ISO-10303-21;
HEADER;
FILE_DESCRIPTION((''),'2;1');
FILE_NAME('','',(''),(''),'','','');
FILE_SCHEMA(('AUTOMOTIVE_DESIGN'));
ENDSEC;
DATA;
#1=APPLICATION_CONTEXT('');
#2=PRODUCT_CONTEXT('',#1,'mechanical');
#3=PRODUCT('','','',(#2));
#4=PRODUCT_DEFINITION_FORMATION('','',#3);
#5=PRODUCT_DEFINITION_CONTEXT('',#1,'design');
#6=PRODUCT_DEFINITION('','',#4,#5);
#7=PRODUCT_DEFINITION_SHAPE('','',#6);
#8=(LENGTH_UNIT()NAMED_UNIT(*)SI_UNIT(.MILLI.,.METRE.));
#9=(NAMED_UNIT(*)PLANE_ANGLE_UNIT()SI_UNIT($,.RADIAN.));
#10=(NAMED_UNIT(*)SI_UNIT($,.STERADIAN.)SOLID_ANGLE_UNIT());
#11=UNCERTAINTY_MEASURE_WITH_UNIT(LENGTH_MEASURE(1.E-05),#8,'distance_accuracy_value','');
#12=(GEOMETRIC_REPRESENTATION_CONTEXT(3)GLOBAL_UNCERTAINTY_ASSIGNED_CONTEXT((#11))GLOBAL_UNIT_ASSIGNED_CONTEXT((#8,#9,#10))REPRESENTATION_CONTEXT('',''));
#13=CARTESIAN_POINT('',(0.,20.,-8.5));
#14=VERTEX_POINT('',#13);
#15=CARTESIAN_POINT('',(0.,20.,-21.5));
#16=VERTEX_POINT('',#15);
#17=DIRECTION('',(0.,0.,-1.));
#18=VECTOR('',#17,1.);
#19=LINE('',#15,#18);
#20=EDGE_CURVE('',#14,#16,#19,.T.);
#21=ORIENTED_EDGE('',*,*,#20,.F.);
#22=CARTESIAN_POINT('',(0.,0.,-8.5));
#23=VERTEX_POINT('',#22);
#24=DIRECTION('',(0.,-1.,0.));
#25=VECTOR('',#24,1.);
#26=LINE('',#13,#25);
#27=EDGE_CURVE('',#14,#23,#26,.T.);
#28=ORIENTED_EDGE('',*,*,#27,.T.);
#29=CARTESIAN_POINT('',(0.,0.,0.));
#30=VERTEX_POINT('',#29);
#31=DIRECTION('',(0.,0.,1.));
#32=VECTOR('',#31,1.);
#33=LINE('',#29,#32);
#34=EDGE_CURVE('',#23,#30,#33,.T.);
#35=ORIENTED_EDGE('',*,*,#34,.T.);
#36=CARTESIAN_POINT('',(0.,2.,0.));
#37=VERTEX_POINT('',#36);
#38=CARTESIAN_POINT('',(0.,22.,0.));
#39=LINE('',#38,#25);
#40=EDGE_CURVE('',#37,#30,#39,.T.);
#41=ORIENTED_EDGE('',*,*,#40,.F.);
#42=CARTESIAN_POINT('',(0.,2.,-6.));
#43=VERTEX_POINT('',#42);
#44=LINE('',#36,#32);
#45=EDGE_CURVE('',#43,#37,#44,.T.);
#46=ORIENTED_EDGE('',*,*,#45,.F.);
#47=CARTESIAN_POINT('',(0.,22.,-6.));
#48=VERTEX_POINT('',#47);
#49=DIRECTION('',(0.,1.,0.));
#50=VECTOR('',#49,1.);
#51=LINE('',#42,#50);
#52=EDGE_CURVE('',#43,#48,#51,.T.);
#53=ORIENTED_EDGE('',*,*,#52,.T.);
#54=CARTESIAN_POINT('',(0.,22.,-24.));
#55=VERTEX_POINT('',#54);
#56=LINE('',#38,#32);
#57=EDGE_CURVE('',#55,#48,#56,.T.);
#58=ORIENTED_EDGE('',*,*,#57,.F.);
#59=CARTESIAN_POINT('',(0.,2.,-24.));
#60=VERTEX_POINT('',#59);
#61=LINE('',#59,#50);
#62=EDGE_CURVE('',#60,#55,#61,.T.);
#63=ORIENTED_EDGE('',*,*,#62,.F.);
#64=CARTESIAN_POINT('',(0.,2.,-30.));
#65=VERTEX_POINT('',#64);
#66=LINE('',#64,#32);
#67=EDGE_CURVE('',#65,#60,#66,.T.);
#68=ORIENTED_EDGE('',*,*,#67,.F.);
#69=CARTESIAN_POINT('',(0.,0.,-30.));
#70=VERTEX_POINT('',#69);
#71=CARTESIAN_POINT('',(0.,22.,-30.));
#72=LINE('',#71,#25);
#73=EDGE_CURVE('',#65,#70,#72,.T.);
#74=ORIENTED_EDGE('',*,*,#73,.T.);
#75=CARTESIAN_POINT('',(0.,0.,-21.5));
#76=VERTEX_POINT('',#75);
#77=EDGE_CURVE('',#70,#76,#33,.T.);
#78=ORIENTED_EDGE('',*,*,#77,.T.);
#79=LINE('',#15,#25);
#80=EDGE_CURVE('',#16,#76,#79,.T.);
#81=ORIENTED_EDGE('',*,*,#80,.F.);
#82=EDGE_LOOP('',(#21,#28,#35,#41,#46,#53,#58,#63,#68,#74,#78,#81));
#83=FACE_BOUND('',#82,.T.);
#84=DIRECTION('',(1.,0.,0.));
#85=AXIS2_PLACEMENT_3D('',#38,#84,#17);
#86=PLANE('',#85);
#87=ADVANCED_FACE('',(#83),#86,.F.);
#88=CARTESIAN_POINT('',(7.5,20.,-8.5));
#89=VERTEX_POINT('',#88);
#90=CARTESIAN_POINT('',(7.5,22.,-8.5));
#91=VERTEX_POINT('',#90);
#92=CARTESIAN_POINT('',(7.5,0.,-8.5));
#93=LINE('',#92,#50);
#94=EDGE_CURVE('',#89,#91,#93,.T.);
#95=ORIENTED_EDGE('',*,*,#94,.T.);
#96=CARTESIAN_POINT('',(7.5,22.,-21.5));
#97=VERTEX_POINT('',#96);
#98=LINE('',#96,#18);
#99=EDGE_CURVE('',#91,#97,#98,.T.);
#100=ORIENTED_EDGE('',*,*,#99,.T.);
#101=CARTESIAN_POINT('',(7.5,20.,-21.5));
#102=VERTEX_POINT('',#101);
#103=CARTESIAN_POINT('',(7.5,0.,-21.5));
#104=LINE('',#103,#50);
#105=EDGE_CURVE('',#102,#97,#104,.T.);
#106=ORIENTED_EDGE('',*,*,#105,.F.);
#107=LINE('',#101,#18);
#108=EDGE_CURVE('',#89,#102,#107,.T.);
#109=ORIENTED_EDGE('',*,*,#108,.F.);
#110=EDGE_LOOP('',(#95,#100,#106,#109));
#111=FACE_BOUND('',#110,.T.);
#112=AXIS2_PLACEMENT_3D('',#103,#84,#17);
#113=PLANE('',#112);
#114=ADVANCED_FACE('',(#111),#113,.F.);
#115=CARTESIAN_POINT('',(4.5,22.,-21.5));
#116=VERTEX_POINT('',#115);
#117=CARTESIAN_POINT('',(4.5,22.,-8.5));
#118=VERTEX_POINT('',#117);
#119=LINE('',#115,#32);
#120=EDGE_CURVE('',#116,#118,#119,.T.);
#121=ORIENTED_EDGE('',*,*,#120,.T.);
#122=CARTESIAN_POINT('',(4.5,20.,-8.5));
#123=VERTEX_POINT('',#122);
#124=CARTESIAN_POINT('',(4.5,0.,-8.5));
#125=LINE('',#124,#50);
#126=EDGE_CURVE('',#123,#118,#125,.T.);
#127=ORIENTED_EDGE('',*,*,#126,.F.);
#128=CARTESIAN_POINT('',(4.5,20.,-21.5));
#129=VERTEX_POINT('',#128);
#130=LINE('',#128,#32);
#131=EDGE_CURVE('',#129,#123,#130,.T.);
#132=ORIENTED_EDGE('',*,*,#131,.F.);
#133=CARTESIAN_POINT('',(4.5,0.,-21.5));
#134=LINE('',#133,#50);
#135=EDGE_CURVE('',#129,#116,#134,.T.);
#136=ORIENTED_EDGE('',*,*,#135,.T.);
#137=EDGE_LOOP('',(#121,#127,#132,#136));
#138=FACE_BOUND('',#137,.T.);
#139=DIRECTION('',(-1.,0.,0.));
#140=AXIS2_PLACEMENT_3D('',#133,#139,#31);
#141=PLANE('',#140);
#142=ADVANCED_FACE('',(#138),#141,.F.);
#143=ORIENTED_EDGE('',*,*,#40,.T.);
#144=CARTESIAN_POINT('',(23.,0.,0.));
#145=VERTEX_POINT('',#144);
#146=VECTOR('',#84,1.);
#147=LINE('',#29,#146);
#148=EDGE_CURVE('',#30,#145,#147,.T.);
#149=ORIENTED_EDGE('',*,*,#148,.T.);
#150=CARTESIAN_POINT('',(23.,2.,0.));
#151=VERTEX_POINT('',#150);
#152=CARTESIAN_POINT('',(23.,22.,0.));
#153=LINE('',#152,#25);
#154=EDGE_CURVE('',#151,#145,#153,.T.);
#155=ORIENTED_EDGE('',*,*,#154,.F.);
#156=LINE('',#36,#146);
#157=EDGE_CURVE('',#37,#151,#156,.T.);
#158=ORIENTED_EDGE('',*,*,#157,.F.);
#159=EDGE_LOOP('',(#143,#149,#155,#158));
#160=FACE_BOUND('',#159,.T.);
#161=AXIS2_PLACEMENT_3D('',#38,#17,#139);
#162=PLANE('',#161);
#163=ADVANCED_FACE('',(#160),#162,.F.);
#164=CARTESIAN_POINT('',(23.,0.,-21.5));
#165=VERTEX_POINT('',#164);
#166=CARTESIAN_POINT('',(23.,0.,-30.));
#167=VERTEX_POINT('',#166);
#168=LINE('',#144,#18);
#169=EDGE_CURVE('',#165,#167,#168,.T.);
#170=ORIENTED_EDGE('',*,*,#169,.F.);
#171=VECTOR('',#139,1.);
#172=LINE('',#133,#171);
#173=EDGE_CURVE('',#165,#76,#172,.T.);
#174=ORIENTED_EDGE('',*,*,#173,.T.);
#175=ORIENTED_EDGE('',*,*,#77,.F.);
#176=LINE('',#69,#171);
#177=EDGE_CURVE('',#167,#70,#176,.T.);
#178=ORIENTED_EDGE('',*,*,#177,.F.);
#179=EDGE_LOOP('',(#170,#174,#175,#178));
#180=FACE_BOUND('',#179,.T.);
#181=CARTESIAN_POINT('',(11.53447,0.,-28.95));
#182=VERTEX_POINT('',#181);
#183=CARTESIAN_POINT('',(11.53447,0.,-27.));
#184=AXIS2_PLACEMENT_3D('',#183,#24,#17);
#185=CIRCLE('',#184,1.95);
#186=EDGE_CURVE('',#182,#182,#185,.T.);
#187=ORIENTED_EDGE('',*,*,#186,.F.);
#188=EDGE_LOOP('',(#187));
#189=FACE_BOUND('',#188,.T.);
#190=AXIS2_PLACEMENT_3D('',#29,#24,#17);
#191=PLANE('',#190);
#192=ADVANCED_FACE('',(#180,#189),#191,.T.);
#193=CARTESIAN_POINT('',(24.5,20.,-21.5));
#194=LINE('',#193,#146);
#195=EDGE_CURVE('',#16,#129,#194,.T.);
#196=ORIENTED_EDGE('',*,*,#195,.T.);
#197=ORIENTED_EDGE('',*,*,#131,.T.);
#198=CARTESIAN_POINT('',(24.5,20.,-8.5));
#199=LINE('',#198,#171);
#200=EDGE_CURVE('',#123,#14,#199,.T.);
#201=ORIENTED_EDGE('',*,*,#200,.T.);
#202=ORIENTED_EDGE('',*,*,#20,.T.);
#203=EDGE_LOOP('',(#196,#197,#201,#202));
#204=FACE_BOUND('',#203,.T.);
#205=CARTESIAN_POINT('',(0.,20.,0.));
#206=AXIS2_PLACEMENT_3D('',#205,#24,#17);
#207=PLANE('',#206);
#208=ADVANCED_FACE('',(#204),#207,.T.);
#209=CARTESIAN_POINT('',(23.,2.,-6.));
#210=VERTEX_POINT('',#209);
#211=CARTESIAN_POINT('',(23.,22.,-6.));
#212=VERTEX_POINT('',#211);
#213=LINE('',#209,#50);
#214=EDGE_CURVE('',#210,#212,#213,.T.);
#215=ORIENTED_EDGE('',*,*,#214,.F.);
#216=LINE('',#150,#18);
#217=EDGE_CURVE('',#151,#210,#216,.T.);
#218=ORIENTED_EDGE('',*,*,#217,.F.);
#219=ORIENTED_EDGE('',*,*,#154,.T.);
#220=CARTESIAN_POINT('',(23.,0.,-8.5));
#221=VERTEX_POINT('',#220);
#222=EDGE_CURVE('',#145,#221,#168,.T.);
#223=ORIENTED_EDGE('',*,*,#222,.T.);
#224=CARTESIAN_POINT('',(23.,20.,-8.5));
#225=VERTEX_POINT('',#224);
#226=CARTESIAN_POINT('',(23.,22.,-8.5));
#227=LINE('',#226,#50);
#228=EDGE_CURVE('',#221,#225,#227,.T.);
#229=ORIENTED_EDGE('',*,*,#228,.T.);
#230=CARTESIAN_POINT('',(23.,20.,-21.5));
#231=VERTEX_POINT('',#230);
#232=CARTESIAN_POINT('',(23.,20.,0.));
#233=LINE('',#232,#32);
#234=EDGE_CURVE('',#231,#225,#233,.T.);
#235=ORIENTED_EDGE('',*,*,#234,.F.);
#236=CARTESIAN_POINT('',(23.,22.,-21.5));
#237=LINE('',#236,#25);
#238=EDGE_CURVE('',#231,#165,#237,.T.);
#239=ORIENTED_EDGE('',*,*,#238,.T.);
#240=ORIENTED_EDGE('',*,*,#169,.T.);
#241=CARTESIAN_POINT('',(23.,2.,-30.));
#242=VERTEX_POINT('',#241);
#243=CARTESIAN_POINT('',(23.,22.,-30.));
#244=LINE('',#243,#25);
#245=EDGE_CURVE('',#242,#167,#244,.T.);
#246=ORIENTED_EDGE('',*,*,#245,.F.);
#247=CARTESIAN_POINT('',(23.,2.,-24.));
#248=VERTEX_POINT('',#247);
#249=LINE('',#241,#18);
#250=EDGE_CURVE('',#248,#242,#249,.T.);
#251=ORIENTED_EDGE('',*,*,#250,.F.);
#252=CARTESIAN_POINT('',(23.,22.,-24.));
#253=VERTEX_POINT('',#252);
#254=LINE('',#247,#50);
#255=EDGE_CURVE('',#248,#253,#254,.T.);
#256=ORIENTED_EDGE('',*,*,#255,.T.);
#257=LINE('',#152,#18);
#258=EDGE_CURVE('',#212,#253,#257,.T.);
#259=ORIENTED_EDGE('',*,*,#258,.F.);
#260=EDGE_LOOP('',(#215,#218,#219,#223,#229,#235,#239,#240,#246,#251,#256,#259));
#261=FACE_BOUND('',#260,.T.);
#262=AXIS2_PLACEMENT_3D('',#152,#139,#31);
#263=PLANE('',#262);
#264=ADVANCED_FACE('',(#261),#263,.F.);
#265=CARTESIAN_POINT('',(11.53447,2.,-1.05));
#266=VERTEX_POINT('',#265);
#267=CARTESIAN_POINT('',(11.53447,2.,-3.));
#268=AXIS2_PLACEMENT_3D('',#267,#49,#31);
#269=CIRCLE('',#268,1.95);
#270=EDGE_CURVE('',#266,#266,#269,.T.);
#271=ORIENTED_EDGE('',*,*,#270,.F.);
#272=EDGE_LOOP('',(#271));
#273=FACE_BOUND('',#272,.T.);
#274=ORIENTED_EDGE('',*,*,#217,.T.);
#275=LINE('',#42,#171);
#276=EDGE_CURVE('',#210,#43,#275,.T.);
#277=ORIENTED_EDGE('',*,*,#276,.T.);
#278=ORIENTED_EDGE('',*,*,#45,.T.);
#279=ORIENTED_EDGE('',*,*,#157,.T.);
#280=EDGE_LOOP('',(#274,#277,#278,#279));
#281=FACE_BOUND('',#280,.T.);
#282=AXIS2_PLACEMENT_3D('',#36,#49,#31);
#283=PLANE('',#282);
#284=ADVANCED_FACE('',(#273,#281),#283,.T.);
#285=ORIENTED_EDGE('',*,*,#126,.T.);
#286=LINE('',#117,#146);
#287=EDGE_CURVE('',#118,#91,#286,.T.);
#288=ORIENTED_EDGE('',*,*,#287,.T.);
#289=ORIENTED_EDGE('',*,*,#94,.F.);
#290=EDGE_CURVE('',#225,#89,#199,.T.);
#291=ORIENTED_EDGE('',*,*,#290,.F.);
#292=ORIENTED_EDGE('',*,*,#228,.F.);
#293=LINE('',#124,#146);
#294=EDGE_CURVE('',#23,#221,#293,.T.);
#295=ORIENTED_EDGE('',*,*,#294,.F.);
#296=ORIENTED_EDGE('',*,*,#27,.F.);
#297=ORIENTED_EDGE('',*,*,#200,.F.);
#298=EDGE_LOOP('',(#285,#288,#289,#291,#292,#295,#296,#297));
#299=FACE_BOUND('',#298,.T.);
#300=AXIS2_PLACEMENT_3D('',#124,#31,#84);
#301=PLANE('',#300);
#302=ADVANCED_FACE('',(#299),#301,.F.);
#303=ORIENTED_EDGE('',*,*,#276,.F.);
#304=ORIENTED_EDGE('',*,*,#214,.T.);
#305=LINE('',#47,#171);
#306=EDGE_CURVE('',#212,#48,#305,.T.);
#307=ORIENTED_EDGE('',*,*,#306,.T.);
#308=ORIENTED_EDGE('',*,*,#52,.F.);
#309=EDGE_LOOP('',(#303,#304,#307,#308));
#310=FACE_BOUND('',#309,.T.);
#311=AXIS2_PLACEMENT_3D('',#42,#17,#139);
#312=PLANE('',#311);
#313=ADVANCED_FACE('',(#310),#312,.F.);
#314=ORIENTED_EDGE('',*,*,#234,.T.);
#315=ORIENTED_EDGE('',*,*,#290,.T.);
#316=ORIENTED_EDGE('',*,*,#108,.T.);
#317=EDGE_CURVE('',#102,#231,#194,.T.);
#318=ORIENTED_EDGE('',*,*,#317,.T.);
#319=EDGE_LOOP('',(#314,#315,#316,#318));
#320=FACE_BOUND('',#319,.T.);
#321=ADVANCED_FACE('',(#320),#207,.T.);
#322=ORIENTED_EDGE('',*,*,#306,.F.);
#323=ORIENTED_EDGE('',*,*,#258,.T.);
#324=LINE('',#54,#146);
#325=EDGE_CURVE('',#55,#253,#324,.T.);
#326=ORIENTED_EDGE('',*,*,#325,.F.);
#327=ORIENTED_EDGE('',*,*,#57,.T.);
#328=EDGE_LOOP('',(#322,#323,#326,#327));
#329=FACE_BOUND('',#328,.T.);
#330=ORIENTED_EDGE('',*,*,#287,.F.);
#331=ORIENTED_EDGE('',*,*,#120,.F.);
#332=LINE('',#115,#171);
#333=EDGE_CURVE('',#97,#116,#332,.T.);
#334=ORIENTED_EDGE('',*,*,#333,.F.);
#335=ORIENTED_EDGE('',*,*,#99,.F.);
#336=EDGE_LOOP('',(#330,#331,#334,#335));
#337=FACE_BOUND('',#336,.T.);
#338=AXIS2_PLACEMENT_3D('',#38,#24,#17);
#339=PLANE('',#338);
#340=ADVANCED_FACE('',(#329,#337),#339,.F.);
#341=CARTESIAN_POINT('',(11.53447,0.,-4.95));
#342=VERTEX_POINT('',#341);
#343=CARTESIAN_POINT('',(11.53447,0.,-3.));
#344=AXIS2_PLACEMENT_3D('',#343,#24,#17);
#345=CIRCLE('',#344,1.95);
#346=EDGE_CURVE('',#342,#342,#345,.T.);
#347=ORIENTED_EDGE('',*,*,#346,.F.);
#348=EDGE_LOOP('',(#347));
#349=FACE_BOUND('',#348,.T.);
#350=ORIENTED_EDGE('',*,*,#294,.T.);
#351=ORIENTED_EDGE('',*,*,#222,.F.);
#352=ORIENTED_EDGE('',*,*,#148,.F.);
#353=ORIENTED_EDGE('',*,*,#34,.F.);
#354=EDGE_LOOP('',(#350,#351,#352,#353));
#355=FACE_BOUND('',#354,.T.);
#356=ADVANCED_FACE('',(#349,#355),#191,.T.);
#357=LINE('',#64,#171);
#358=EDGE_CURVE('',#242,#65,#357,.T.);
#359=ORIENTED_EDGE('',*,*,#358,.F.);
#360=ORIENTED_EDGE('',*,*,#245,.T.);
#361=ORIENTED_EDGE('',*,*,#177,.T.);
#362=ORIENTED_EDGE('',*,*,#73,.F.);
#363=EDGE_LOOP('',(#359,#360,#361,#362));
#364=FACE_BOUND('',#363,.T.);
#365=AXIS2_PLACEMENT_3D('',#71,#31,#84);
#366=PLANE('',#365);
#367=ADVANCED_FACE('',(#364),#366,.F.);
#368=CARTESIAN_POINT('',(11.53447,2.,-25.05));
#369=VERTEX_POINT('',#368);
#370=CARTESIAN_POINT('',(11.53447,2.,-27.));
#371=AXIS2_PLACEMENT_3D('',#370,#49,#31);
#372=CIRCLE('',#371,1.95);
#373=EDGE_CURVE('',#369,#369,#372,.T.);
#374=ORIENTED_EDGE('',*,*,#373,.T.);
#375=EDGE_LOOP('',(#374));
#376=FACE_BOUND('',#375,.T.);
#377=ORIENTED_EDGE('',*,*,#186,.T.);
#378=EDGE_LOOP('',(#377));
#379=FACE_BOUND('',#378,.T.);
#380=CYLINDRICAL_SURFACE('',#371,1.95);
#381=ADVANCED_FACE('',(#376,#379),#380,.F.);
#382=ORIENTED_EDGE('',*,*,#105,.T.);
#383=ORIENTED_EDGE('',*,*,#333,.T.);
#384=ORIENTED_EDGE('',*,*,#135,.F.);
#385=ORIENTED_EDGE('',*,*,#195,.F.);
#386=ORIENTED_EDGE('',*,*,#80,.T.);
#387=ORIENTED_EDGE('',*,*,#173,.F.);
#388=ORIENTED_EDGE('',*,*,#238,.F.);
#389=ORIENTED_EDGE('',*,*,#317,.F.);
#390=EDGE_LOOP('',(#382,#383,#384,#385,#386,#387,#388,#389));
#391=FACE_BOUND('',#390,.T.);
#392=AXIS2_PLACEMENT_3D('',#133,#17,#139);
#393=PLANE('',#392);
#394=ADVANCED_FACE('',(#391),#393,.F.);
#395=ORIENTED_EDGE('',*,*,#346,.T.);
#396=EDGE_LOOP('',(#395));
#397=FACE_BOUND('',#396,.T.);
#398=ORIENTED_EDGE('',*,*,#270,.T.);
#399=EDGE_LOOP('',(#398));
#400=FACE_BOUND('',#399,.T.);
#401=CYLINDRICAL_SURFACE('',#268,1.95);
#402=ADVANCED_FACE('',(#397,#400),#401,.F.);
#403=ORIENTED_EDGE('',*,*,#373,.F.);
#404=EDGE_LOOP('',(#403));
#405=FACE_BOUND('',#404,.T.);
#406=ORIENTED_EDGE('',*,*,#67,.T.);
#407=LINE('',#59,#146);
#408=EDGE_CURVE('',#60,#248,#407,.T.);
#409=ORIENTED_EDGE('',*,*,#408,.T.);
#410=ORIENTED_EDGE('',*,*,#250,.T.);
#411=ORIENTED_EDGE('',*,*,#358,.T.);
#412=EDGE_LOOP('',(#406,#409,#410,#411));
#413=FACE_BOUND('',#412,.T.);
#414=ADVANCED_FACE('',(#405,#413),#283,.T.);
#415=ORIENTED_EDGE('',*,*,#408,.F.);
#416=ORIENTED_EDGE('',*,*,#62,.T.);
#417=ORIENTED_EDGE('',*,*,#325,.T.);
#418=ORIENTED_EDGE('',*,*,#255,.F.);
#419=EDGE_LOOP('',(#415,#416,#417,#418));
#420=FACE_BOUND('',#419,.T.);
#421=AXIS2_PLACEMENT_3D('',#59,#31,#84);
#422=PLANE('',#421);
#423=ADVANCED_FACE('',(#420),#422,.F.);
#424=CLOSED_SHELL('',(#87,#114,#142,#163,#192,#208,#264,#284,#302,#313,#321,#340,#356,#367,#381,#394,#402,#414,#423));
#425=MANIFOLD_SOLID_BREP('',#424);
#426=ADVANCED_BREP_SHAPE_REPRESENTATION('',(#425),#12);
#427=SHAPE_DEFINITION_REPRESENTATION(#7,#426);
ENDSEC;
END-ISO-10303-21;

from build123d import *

# Parameters (mm, degrees)
ESQUISSE1_W             = 23
ESQUISSE1_H             = 30
BOSS_EXTRU_1_DEPTH      = 22
ESQUISSE2_W             = 23
ESQUISSE2_H             = 6
ENL_V_MAT_EXTRU_1_DEPTH = 20
D_GAGEMENT_M3_51_D      = 3.9
D_GAGEMENT_M3_51_DEPTH  = 5
D_GAGEMENT_M3_51_TIP    = 1.171678207
ESQUISSE5_W             = 3
ESQUISSE5_H             = 13
ENL_V_MAT_EXTRU_2_DEPTH = 23
ESQUISSE6_W             = 24.5
ESQUISSE6_H             = 13
ENL_V_MAT_EXTRU_3_DEPTH = 20


with BuildPart() as part:
    # Esquisse1 → Boss.-Extru.1 (new body)
    with BuildSketch(Plane(origin=(0, 0, 0), x_dir=(1, 0, 0), z_dir=(0, 1, 0))):
        with Locations((11.5, 15)):
            Rectangle(ESQUISSE1_W, ESQUISSE1_H)
    extrude(amount=BOSS_EXTRU_1_DEPTH)

    # Esquisse2 → Enlèv. mat.-Extru.1 (cut)
    with BuildSketch(Plane(origin=(0, 22, 0), x_dir=(1, 0, 0), z_dir=(0, 1, 0))):
        with Locations((11.5, 27)):
            Rectangle(ESQUISSE2_W, ESQUISSE2_H)
        with Locations((11.5, 3)):
            Rectangle(ESQUISSE2_W, ESQUISSE2_H)
    extrude(amount=-ENL_V_MAT_EXTRU_1_DEPTH, mode=Mode.SUBTRACT)

    # Dégagement M3.51
    with Locations(Plane(origin=(0, 2, 0), x_dir=(1, 0, 0), z_dir=(0, 1, 0))):
        with Locations((11.534470398, 27), (11.534470398, 3)):
            Hole(D_GAGEMENT_M3_51_D / 2, depth=D_GAGEMENT_M3_51_DEPTH)
            with Locations((0, 0, -(D_GAGEMENT_M3_51_DEPTH + D_GAGEMENT_M3_51_TIP / 2))):  # 118° drill point
                Cone(0, D_GAGEMENT_M3_51_D / 2, D_GAGEMENT_M3_51_TIP, mode=Mode.SUBTRACT)

    # Esquisse5 → Enlèv. mat.-Extru.2 (cut, through all)
    with BuildSketch(Plane(origin=(0, 22, 0), x_dir=(1, 0, 0), z_dir=(0, 1, 0))):
        with Locations((6, 15)):
            Rectangle(ESQUISSE5_W, ESQUISSE5_H)
    extrude(amount=-ENL_V_MAT_EXTRU_2_DEPTH, mode=Mode.SUBTRACT)

    # Esquisse6 → Enlèv. mat.-Extru.3 (cut)
    with BuildSketch(Plane.XZ):
        with Locations((12.25, -15)):
            Rectangle(ESQUISSE6_W, ESQUISSE6_H)
    extrude(amount=-ENL_V_MAT_EXTRU_3_DEPTH, mode=Mode.SUBTRACT)


solid = part.part
